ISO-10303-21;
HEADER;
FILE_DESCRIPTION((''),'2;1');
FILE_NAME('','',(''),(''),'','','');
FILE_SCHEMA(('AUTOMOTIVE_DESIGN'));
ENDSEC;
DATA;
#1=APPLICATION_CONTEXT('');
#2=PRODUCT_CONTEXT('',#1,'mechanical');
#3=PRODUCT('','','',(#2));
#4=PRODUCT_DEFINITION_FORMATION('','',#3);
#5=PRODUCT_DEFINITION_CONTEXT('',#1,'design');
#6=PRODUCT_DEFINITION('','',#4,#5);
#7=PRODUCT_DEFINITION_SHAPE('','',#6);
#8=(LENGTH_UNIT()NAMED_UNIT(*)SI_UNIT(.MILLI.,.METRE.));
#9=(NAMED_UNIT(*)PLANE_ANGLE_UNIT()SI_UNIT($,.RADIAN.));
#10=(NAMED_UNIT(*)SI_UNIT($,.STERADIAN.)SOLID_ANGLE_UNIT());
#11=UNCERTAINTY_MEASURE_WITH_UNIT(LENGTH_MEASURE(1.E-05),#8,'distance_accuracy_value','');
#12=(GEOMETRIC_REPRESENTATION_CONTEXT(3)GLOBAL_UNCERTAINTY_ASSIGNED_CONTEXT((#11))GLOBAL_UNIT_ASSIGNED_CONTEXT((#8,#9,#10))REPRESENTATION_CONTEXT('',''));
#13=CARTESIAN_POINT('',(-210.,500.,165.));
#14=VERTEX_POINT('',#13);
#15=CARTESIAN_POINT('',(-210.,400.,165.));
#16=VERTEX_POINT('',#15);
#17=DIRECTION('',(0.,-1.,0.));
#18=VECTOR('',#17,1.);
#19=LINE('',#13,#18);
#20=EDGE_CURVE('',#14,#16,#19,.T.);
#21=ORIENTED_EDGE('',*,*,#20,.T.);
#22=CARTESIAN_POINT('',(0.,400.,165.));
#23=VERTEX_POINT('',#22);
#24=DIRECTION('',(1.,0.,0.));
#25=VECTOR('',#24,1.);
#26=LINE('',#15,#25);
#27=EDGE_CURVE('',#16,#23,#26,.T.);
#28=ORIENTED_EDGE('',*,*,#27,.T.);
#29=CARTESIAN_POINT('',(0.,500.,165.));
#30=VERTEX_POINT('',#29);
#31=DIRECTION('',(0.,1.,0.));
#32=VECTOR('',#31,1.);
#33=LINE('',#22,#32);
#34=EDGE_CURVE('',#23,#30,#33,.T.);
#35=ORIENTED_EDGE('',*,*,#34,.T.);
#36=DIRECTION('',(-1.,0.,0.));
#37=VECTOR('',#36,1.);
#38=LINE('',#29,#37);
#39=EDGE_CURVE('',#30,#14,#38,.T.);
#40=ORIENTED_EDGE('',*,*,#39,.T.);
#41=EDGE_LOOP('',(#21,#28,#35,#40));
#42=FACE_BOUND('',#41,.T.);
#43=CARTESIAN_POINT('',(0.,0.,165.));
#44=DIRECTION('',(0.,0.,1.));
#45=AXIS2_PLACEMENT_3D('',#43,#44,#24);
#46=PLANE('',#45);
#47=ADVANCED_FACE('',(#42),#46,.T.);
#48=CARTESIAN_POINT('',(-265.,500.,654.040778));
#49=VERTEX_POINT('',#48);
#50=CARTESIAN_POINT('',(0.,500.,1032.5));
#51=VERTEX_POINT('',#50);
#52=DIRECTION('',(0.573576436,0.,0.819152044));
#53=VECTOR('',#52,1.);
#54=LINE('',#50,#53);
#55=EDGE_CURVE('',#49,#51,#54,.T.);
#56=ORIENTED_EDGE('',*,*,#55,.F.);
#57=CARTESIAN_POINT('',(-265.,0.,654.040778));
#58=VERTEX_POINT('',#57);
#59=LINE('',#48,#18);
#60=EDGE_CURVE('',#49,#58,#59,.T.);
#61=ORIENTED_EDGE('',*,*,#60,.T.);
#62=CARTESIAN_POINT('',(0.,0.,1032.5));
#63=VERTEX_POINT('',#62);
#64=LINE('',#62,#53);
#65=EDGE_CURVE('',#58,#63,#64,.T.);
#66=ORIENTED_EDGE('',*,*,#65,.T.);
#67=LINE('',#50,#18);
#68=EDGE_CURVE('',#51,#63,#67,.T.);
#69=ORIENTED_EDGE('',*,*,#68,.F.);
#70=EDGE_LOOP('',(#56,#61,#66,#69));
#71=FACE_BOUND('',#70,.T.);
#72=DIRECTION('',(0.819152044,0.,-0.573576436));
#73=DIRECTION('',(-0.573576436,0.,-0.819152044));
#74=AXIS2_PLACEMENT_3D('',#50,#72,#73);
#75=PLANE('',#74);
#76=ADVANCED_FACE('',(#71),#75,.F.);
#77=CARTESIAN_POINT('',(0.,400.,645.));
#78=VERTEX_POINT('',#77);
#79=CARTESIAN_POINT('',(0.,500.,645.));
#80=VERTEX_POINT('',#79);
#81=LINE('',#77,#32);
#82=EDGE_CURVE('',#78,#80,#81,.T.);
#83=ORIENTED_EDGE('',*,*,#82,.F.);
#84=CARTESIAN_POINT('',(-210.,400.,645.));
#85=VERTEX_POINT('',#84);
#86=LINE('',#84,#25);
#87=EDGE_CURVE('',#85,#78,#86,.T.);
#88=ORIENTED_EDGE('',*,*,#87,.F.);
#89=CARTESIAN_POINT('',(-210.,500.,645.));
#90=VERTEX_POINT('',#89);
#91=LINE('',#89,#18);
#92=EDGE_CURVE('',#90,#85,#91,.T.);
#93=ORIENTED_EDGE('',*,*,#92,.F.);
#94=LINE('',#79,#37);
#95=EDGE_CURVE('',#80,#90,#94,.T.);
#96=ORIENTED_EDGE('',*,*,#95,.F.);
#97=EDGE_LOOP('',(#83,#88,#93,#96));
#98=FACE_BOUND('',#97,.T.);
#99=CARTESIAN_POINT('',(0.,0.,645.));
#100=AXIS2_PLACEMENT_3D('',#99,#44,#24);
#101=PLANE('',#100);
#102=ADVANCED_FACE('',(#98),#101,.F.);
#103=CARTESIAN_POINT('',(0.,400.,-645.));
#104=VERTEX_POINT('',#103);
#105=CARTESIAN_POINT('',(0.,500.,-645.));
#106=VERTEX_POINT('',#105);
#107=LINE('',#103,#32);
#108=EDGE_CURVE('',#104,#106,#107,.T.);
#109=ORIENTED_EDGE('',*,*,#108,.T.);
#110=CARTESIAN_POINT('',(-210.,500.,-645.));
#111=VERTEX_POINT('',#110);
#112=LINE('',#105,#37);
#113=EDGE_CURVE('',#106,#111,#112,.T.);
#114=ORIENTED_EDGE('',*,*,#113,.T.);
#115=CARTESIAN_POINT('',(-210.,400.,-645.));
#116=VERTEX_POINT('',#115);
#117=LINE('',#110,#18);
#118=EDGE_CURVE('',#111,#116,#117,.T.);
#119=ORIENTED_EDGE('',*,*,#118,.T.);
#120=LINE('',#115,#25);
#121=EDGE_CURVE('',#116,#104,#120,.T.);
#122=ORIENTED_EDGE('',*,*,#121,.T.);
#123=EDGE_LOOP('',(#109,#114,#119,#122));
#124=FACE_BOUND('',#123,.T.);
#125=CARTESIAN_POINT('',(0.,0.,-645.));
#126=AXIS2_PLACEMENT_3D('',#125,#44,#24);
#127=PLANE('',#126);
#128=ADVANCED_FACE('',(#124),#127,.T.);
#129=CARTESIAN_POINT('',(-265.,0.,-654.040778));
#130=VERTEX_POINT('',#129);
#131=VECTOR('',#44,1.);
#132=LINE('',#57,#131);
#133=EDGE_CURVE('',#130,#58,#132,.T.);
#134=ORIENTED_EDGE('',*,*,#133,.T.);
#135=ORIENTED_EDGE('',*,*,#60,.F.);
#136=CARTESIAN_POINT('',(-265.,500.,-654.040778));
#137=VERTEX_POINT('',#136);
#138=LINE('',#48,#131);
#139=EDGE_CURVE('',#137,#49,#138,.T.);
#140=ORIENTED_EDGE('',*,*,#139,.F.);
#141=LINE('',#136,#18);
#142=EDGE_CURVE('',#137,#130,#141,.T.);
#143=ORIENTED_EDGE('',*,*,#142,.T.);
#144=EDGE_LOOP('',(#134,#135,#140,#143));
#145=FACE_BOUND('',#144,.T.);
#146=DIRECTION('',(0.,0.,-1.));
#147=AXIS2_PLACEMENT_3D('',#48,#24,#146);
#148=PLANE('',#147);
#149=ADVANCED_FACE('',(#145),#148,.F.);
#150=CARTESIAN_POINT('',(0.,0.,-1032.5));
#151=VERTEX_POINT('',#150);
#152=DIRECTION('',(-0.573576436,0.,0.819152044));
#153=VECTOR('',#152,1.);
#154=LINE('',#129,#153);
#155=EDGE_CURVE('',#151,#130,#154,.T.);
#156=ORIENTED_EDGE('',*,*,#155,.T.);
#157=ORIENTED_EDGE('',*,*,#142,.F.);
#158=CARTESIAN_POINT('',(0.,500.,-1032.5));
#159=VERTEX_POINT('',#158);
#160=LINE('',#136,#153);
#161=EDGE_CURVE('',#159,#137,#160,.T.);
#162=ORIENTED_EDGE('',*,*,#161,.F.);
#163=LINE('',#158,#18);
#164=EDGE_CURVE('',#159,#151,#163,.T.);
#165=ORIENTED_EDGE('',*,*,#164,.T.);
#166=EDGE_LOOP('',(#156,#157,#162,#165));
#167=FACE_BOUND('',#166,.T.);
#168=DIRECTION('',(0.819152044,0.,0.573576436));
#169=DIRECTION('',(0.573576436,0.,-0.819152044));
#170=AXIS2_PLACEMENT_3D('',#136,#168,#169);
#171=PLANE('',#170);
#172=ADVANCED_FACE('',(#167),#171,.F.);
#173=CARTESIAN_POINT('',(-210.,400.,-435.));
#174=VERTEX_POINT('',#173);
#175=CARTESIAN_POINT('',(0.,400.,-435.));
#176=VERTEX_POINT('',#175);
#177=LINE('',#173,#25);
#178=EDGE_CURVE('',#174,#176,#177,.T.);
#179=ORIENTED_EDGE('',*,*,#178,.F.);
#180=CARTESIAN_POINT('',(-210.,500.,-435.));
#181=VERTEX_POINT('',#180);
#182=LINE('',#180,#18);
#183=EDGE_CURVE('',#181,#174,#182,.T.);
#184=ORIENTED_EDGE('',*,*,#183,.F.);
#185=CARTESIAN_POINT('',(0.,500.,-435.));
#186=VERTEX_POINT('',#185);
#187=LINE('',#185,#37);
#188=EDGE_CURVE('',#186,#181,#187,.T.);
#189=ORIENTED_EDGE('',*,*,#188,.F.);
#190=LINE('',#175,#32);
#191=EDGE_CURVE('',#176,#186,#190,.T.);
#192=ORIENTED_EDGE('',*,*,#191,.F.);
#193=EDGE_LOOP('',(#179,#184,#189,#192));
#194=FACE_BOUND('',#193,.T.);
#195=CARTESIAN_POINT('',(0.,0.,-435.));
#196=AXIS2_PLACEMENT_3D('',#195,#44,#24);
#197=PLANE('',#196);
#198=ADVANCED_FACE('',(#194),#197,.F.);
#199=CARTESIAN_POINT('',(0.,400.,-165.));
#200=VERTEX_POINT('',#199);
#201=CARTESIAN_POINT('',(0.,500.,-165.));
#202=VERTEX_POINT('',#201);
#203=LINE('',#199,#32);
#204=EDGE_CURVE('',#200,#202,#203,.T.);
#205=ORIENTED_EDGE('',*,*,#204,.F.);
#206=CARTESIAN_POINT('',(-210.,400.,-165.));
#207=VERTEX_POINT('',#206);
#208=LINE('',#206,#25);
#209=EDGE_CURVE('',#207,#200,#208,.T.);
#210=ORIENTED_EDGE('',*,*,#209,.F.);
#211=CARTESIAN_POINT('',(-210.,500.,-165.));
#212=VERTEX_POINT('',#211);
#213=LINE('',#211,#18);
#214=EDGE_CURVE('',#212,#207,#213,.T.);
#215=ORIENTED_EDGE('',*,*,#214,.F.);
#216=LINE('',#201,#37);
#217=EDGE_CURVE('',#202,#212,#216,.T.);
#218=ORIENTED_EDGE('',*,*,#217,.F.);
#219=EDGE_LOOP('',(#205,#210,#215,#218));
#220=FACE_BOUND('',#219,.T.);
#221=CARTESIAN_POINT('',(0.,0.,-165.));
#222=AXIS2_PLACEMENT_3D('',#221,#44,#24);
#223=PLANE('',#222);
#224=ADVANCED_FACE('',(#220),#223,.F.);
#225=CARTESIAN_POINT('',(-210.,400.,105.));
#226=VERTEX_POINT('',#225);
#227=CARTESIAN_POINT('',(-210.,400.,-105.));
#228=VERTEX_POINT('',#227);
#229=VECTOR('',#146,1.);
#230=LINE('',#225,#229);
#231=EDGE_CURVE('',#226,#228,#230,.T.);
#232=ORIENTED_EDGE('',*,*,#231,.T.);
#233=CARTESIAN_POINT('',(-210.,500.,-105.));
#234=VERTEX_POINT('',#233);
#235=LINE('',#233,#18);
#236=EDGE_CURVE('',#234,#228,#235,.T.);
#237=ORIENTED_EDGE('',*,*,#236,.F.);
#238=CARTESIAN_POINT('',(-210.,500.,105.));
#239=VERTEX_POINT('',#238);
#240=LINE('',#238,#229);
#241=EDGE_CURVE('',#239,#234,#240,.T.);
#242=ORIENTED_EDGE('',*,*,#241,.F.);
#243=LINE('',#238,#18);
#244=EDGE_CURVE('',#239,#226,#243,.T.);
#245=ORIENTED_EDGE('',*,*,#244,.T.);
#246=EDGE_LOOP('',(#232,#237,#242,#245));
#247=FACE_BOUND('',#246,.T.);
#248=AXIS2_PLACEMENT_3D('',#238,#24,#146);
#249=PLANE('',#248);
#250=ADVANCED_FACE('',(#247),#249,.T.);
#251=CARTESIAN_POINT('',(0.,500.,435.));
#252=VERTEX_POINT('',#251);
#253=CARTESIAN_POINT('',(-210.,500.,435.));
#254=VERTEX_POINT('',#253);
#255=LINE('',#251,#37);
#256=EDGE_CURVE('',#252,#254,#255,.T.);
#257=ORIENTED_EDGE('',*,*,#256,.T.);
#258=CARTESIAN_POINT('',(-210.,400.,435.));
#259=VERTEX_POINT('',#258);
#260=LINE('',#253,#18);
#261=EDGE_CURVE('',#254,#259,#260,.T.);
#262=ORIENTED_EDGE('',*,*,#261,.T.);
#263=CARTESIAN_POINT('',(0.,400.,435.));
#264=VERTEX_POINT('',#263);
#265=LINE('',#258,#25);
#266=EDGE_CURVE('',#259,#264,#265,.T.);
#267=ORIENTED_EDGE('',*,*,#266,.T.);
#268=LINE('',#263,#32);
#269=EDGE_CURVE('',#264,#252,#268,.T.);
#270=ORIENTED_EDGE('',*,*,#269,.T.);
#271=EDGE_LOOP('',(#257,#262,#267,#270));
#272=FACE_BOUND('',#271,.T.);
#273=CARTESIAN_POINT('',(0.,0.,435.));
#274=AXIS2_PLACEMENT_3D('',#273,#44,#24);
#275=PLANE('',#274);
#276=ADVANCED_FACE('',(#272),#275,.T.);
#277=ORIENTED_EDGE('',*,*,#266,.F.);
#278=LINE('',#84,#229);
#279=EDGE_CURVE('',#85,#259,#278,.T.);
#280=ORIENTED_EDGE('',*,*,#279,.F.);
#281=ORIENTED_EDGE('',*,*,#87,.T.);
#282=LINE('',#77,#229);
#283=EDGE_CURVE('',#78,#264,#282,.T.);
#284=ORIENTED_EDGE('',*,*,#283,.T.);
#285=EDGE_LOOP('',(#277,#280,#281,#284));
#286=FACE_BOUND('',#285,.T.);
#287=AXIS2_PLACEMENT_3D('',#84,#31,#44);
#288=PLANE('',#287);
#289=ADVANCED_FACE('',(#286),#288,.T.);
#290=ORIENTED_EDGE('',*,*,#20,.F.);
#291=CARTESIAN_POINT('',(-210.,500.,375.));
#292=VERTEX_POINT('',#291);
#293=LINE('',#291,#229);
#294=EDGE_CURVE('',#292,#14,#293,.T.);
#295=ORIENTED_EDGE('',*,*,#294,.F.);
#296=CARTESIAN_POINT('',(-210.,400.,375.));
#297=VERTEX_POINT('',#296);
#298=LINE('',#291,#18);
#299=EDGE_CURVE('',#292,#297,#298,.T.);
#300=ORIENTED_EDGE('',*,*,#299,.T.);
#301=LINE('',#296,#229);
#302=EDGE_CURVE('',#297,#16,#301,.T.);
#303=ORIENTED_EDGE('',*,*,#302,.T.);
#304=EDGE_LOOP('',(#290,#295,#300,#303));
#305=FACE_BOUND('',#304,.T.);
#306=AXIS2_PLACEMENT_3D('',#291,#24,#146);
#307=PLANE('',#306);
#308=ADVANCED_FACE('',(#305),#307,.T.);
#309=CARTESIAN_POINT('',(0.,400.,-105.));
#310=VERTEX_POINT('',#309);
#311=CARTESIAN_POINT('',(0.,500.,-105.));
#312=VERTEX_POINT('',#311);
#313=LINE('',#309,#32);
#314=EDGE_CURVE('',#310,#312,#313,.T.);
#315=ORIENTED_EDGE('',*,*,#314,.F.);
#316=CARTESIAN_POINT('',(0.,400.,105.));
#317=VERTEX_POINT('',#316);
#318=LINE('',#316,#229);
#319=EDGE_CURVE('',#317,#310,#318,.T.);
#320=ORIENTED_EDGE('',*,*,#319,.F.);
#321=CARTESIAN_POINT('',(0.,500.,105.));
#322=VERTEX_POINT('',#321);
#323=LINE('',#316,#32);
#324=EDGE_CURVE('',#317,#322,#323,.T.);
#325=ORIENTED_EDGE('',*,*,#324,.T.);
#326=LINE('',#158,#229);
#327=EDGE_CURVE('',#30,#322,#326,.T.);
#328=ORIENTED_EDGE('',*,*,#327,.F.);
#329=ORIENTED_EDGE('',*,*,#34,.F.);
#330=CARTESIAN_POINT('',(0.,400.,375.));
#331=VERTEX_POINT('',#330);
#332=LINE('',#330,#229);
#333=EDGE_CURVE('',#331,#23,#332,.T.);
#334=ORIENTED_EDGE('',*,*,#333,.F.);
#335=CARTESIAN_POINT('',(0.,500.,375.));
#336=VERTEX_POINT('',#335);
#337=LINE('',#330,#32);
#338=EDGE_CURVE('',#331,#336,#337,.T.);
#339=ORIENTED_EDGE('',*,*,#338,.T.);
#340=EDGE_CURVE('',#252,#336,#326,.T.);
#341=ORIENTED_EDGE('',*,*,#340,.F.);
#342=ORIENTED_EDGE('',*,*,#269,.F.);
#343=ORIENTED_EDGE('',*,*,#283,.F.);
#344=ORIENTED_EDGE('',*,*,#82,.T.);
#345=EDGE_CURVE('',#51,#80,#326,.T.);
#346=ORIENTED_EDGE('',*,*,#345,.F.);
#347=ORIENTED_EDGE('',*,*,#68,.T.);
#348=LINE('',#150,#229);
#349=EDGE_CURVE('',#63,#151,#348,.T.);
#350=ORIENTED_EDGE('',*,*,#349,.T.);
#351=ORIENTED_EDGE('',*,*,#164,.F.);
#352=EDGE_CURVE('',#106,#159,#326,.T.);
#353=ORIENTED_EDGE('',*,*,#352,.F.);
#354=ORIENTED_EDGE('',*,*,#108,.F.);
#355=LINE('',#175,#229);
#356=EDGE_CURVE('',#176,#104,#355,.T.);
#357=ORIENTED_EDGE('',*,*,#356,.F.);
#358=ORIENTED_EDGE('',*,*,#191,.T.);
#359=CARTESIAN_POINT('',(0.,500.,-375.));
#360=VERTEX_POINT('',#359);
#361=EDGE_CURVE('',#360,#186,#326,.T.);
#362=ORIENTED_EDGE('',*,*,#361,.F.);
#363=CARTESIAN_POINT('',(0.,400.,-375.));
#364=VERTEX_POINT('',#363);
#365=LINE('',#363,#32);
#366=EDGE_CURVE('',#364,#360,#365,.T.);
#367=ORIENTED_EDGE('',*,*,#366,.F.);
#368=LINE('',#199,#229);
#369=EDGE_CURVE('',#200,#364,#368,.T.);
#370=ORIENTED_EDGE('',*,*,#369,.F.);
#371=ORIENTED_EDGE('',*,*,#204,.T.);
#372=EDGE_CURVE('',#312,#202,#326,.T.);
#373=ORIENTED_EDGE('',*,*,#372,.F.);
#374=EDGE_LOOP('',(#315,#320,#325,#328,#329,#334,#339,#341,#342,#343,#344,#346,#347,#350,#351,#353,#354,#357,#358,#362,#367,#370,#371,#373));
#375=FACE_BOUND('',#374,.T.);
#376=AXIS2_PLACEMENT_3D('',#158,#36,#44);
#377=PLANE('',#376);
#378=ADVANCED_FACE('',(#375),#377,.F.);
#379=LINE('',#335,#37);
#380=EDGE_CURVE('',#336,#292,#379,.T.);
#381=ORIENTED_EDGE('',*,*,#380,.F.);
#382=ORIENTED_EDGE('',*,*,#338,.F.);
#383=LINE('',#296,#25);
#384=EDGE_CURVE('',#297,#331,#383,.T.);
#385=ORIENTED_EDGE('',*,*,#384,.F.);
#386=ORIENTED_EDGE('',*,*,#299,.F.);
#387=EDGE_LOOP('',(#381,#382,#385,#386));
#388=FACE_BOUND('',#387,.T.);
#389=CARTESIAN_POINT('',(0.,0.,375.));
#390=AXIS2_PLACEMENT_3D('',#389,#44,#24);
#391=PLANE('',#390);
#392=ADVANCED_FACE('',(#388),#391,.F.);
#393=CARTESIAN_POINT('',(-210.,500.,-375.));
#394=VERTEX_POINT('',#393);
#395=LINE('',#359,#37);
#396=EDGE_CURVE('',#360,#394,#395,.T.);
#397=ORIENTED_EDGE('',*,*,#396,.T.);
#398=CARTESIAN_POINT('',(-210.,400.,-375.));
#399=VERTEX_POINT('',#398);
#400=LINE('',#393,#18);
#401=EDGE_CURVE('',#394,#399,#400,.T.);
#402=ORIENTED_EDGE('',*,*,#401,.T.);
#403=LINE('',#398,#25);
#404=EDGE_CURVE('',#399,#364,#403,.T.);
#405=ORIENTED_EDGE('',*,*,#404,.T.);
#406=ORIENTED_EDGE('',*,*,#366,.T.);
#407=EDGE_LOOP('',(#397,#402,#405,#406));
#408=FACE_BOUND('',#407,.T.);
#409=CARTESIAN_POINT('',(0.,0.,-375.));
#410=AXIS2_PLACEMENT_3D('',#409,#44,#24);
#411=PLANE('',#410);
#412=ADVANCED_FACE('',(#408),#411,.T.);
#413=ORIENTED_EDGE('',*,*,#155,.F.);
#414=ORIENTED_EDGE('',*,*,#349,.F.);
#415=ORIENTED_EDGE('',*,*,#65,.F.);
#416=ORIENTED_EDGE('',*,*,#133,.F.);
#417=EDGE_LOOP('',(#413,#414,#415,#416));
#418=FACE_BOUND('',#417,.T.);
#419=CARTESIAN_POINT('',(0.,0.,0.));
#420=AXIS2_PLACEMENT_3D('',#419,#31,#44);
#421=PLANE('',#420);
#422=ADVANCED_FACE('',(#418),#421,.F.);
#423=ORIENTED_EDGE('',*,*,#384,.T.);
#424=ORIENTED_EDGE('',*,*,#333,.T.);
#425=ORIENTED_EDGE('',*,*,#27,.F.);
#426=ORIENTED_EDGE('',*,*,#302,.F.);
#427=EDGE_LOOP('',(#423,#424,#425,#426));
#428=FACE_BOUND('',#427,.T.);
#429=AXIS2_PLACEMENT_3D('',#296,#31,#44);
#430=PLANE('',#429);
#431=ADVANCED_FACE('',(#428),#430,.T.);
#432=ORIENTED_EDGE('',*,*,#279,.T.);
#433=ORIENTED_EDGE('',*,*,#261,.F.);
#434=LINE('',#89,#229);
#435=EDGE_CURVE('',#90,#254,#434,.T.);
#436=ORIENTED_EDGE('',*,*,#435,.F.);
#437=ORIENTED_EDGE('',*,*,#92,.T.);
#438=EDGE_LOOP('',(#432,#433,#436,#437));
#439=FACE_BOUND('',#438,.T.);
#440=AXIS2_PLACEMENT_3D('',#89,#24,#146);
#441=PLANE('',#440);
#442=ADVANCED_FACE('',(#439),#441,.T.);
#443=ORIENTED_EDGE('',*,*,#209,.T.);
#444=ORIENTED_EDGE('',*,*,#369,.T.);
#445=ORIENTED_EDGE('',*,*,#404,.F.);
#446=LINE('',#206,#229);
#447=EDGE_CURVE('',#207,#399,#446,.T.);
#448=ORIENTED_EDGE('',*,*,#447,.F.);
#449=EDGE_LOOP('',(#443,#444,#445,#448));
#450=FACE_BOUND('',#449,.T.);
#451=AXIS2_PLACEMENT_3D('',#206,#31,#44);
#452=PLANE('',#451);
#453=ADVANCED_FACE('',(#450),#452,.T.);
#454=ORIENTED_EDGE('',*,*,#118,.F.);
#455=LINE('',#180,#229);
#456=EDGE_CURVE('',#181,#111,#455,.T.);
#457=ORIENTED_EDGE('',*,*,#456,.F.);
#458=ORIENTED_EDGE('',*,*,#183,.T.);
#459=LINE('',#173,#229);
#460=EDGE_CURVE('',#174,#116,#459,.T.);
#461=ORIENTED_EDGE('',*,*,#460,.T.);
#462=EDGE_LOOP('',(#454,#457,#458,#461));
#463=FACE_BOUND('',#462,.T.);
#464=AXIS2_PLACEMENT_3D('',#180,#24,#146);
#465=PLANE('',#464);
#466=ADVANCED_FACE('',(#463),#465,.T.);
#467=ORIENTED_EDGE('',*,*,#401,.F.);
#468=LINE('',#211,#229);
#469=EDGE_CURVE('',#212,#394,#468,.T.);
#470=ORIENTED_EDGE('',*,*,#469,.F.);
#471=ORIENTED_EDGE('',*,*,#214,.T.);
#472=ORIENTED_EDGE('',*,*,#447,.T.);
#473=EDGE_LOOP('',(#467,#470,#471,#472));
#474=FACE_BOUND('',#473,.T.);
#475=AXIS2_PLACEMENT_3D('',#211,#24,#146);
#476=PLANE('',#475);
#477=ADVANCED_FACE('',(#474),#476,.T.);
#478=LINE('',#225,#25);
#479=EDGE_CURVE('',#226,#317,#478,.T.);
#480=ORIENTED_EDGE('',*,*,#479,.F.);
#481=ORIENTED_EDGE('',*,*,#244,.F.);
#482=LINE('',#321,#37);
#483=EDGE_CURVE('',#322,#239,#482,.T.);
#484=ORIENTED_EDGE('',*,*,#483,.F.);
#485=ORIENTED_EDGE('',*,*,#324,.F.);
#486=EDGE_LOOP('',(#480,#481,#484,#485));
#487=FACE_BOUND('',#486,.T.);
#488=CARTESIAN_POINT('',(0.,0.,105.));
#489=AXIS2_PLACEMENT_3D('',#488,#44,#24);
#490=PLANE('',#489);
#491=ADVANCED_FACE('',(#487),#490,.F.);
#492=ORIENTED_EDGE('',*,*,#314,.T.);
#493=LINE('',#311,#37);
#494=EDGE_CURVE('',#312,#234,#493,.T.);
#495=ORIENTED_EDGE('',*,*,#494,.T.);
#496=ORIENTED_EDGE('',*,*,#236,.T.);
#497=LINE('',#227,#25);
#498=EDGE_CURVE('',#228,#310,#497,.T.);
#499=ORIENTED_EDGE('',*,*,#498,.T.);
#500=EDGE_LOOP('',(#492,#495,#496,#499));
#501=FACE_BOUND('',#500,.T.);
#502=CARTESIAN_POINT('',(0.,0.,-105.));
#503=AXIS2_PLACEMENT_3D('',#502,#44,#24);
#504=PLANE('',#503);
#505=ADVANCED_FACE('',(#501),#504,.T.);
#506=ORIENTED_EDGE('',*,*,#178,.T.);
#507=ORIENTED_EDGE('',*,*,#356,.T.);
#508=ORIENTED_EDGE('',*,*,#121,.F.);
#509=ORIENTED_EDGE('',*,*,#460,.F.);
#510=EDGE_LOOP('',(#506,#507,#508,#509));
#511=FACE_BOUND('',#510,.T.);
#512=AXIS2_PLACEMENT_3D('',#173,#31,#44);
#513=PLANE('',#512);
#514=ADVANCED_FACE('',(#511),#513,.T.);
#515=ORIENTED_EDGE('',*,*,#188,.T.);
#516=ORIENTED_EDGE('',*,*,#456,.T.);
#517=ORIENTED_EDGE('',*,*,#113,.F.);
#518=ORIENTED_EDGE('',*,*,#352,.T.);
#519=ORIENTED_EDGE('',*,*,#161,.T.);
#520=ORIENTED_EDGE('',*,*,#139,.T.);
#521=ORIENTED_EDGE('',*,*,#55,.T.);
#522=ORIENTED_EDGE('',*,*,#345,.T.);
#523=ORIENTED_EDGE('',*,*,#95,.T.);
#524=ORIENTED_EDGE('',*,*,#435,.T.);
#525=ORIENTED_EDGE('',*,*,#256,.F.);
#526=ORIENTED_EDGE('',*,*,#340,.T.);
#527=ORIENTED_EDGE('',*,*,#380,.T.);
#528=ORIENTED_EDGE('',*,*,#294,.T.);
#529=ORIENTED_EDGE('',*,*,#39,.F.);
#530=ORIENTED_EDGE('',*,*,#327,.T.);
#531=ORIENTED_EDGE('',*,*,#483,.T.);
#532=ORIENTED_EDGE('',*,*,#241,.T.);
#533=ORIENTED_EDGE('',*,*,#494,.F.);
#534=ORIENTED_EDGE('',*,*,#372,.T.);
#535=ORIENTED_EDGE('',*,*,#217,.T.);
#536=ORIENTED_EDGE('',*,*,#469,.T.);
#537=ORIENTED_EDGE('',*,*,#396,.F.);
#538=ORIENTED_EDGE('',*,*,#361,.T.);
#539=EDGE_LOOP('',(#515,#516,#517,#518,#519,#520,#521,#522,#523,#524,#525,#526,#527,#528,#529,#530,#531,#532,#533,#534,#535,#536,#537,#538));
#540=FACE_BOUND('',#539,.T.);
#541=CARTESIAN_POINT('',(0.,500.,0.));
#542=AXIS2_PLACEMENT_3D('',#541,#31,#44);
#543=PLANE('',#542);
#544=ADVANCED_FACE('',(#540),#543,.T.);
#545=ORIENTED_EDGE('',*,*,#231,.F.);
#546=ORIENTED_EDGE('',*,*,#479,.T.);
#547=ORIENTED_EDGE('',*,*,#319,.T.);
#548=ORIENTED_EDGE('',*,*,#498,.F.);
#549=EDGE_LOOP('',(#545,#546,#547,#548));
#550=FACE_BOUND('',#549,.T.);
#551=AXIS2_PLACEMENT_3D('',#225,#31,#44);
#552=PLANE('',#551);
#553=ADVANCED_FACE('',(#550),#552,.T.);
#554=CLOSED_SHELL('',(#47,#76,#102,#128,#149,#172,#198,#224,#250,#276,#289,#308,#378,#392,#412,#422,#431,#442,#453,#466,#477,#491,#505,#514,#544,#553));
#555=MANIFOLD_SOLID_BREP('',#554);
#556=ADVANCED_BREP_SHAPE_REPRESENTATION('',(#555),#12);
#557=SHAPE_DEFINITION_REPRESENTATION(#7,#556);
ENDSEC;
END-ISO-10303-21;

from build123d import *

# Parameters (mm, degrees)
EXTRUDE_1_DEPTH             = 500
SKETCH_2_W                  = 210
SKETCH_2_H                  = 100
CUT_EXTRUDE_1_DEPTH         = 105
PATTERN_LINEAR_1_COUNT      = 3
PATTERN_LINEAR_1_PITCH      = 270
PATTERN_LINEAR_1_COUNT_DIR2 = 3
PATTERN_LINEAR_1_PITCH_DIR2 = 270


with BuildPart() as part:
    # 草图1 → 凸台-拉伸1 (new body)
    with BuildSketch(Plane(origin=(0, 0, 0), x_dir=(1, 0, 0), z_dir=(0, 1, 0))):
        Polygon((0, 1032.5), (0, -1032.5), (-265, -654.040778213), (-265, 654.040778213), align=None)
    extrude(amount=EXTRUDE_1_DEPTH)

    # 草图2 → 切除-拉伸1 (cut, symmetric)
    with BuildSketch(Plane.XY):
        with Locations((-105, 450)):
            Rectangle(SKETCH_2_W, SKETCH_2_H)
    cut_extrude_1 = extrude(amount=CUT_EXTRUDE_1_DEPTH, both=True, mode=Mode.SUBTRACT)

    # 阵列(线性)1: Cut-Extrude 1 3 × 3
    with Locations(*[Vector(0, 0, 1) * (i * PATTERN_LINEAR_1_PITCH) + Vector(0, 0, -1) * (j * PATTERN_LINEAR_1_PITCH_DIR2) for i in range(PATTERN_LINEAR_1_COUNT) for j in range(PATTERN_LINEAR_1_COUNT_DIR2) if (i, j) != (0, 0)]):
        add(cut_extrude_1, mode=Mode.SUBTRACT)


solid = part.part
